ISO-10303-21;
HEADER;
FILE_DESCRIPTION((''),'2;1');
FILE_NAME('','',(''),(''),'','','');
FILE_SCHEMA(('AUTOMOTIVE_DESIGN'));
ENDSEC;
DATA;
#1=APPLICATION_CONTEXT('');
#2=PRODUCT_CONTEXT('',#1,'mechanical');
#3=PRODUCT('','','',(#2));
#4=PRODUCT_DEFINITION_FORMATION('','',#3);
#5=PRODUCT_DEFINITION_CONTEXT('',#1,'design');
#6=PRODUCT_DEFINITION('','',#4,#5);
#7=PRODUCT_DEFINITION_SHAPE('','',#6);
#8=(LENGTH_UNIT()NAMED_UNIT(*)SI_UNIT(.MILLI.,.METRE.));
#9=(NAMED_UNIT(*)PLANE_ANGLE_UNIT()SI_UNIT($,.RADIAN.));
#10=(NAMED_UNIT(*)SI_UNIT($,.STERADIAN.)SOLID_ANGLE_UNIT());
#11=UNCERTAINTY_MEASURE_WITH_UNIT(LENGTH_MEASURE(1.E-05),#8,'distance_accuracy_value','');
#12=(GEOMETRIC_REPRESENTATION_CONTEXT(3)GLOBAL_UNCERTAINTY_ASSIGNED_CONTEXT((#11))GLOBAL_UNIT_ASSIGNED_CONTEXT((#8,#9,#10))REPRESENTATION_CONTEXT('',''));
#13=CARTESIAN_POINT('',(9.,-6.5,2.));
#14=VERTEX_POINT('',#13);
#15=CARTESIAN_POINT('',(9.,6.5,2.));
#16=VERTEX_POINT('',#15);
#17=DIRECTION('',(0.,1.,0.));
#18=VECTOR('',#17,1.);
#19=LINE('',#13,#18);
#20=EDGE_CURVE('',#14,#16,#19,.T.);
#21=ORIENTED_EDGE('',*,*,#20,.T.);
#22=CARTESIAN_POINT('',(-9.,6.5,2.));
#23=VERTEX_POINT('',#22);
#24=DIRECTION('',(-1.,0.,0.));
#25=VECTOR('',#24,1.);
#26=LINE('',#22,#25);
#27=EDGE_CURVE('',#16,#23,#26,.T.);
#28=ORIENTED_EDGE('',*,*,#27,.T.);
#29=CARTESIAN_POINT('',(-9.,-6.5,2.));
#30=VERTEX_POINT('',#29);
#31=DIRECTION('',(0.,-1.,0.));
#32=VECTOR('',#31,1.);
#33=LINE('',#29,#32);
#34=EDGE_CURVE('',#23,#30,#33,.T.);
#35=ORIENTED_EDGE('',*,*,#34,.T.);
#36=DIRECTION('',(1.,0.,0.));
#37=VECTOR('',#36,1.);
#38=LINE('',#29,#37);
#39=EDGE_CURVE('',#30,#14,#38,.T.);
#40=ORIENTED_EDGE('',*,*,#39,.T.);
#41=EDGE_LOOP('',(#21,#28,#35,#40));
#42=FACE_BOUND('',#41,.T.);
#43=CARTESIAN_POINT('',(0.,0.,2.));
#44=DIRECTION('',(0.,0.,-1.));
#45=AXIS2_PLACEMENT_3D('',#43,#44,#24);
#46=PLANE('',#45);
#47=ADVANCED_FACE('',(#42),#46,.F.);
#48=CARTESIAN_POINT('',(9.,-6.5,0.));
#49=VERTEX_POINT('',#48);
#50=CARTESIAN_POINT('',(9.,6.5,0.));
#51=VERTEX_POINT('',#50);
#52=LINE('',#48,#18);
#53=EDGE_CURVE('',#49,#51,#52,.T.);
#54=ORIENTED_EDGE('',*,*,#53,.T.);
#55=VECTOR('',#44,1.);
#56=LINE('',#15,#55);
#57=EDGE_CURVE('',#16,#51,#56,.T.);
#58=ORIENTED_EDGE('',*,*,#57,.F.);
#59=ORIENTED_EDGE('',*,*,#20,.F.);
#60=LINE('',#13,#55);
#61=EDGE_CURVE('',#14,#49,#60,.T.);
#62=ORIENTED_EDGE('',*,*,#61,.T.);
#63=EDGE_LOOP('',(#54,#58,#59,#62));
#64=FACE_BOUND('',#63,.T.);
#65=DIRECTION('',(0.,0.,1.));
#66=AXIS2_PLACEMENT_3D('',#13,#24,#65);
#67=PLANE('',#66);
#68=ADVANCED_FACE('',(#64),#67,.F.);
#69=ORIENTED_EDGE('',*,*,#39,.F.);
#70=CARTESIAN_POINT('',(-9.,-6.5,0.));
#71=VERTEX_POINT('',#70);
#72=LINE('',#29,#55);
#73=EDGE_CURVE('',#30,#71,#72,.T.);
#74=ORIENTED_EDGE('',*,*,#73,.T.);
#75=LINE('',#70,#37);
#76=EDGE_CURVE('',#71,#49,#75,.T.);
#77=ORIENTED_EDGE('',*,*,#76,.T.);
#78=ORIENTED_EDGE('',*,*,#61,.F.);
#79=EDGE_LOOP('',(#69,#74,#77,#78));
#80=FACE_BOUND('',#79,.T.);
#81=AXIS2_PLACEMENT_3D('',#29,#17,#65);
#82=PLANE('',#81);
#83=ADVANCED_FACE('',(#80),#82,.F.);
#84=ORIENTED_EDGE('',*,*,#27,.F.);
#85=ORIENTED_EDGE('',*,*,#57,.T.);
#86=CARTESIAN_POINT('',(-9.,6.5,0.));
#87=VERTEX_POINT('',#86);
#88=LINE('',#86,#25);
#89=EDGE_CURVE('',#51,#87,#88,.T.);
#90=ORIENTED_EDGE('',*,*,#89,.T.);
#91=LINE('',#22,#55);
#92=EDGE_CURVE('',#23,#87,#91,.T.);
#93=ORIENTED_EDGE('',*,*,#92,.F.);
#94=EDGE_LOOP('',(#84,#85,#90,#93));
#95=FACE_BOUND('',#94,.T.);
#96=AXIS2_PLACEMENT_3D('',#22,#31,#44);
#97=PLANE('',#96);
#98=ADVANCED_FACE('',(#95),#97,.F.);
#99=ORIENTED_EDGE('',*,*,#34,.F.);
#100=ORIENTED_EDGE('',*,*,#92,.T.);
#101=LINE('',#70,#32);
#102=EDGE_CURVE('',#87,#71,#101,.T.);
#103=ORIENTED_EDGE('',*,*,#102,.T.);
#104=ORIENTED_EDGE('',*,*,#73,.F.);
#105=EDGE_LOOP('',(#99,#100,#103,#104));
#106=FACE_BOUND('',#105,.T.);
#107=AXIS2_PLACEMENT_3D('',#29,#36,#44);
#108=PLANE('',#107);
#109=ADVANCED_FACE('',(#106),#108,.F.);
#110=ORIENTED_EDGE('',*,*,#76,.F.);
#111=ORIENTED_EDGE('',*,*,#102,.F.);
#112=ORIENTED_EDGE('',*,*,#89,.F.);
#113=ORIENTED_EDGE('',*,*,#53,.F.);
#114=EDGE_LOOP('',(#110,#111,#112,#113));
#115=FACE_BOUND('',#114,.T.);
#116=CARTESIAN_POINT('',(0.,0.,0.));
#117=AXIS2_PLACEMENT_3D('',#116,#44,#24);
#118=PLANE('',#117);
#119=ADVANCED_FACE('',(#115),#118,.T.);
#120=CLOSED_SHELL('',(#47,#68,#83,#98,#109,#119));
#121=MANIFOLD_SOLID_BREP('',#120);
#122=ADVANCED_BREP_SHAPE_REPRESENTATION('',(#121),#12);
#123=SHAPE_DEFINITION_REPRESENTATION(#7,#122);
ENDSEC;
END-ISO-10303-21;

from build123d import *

# Parameters (mm, degrees)
SKETCH1_W                                  = 18
SKETCH1_H                                  = 13
REFERENCE_ENVELOPE_NOT_MANUFACTURING_DEPTH = 2


with BuildPart() as part:
    # Sketch1 → REFERENCE_ENVELOPE_NOT_MANUFACTURING (new body)
    with BuildSketch(Plane.XY):
        Rectangle(SKETCH1_W, SKETCH1_H)
    extrude(amount=REFERENCE_ENVELOPE_NOT_MANUFACTURING_DEPTH)


solid = part.part
